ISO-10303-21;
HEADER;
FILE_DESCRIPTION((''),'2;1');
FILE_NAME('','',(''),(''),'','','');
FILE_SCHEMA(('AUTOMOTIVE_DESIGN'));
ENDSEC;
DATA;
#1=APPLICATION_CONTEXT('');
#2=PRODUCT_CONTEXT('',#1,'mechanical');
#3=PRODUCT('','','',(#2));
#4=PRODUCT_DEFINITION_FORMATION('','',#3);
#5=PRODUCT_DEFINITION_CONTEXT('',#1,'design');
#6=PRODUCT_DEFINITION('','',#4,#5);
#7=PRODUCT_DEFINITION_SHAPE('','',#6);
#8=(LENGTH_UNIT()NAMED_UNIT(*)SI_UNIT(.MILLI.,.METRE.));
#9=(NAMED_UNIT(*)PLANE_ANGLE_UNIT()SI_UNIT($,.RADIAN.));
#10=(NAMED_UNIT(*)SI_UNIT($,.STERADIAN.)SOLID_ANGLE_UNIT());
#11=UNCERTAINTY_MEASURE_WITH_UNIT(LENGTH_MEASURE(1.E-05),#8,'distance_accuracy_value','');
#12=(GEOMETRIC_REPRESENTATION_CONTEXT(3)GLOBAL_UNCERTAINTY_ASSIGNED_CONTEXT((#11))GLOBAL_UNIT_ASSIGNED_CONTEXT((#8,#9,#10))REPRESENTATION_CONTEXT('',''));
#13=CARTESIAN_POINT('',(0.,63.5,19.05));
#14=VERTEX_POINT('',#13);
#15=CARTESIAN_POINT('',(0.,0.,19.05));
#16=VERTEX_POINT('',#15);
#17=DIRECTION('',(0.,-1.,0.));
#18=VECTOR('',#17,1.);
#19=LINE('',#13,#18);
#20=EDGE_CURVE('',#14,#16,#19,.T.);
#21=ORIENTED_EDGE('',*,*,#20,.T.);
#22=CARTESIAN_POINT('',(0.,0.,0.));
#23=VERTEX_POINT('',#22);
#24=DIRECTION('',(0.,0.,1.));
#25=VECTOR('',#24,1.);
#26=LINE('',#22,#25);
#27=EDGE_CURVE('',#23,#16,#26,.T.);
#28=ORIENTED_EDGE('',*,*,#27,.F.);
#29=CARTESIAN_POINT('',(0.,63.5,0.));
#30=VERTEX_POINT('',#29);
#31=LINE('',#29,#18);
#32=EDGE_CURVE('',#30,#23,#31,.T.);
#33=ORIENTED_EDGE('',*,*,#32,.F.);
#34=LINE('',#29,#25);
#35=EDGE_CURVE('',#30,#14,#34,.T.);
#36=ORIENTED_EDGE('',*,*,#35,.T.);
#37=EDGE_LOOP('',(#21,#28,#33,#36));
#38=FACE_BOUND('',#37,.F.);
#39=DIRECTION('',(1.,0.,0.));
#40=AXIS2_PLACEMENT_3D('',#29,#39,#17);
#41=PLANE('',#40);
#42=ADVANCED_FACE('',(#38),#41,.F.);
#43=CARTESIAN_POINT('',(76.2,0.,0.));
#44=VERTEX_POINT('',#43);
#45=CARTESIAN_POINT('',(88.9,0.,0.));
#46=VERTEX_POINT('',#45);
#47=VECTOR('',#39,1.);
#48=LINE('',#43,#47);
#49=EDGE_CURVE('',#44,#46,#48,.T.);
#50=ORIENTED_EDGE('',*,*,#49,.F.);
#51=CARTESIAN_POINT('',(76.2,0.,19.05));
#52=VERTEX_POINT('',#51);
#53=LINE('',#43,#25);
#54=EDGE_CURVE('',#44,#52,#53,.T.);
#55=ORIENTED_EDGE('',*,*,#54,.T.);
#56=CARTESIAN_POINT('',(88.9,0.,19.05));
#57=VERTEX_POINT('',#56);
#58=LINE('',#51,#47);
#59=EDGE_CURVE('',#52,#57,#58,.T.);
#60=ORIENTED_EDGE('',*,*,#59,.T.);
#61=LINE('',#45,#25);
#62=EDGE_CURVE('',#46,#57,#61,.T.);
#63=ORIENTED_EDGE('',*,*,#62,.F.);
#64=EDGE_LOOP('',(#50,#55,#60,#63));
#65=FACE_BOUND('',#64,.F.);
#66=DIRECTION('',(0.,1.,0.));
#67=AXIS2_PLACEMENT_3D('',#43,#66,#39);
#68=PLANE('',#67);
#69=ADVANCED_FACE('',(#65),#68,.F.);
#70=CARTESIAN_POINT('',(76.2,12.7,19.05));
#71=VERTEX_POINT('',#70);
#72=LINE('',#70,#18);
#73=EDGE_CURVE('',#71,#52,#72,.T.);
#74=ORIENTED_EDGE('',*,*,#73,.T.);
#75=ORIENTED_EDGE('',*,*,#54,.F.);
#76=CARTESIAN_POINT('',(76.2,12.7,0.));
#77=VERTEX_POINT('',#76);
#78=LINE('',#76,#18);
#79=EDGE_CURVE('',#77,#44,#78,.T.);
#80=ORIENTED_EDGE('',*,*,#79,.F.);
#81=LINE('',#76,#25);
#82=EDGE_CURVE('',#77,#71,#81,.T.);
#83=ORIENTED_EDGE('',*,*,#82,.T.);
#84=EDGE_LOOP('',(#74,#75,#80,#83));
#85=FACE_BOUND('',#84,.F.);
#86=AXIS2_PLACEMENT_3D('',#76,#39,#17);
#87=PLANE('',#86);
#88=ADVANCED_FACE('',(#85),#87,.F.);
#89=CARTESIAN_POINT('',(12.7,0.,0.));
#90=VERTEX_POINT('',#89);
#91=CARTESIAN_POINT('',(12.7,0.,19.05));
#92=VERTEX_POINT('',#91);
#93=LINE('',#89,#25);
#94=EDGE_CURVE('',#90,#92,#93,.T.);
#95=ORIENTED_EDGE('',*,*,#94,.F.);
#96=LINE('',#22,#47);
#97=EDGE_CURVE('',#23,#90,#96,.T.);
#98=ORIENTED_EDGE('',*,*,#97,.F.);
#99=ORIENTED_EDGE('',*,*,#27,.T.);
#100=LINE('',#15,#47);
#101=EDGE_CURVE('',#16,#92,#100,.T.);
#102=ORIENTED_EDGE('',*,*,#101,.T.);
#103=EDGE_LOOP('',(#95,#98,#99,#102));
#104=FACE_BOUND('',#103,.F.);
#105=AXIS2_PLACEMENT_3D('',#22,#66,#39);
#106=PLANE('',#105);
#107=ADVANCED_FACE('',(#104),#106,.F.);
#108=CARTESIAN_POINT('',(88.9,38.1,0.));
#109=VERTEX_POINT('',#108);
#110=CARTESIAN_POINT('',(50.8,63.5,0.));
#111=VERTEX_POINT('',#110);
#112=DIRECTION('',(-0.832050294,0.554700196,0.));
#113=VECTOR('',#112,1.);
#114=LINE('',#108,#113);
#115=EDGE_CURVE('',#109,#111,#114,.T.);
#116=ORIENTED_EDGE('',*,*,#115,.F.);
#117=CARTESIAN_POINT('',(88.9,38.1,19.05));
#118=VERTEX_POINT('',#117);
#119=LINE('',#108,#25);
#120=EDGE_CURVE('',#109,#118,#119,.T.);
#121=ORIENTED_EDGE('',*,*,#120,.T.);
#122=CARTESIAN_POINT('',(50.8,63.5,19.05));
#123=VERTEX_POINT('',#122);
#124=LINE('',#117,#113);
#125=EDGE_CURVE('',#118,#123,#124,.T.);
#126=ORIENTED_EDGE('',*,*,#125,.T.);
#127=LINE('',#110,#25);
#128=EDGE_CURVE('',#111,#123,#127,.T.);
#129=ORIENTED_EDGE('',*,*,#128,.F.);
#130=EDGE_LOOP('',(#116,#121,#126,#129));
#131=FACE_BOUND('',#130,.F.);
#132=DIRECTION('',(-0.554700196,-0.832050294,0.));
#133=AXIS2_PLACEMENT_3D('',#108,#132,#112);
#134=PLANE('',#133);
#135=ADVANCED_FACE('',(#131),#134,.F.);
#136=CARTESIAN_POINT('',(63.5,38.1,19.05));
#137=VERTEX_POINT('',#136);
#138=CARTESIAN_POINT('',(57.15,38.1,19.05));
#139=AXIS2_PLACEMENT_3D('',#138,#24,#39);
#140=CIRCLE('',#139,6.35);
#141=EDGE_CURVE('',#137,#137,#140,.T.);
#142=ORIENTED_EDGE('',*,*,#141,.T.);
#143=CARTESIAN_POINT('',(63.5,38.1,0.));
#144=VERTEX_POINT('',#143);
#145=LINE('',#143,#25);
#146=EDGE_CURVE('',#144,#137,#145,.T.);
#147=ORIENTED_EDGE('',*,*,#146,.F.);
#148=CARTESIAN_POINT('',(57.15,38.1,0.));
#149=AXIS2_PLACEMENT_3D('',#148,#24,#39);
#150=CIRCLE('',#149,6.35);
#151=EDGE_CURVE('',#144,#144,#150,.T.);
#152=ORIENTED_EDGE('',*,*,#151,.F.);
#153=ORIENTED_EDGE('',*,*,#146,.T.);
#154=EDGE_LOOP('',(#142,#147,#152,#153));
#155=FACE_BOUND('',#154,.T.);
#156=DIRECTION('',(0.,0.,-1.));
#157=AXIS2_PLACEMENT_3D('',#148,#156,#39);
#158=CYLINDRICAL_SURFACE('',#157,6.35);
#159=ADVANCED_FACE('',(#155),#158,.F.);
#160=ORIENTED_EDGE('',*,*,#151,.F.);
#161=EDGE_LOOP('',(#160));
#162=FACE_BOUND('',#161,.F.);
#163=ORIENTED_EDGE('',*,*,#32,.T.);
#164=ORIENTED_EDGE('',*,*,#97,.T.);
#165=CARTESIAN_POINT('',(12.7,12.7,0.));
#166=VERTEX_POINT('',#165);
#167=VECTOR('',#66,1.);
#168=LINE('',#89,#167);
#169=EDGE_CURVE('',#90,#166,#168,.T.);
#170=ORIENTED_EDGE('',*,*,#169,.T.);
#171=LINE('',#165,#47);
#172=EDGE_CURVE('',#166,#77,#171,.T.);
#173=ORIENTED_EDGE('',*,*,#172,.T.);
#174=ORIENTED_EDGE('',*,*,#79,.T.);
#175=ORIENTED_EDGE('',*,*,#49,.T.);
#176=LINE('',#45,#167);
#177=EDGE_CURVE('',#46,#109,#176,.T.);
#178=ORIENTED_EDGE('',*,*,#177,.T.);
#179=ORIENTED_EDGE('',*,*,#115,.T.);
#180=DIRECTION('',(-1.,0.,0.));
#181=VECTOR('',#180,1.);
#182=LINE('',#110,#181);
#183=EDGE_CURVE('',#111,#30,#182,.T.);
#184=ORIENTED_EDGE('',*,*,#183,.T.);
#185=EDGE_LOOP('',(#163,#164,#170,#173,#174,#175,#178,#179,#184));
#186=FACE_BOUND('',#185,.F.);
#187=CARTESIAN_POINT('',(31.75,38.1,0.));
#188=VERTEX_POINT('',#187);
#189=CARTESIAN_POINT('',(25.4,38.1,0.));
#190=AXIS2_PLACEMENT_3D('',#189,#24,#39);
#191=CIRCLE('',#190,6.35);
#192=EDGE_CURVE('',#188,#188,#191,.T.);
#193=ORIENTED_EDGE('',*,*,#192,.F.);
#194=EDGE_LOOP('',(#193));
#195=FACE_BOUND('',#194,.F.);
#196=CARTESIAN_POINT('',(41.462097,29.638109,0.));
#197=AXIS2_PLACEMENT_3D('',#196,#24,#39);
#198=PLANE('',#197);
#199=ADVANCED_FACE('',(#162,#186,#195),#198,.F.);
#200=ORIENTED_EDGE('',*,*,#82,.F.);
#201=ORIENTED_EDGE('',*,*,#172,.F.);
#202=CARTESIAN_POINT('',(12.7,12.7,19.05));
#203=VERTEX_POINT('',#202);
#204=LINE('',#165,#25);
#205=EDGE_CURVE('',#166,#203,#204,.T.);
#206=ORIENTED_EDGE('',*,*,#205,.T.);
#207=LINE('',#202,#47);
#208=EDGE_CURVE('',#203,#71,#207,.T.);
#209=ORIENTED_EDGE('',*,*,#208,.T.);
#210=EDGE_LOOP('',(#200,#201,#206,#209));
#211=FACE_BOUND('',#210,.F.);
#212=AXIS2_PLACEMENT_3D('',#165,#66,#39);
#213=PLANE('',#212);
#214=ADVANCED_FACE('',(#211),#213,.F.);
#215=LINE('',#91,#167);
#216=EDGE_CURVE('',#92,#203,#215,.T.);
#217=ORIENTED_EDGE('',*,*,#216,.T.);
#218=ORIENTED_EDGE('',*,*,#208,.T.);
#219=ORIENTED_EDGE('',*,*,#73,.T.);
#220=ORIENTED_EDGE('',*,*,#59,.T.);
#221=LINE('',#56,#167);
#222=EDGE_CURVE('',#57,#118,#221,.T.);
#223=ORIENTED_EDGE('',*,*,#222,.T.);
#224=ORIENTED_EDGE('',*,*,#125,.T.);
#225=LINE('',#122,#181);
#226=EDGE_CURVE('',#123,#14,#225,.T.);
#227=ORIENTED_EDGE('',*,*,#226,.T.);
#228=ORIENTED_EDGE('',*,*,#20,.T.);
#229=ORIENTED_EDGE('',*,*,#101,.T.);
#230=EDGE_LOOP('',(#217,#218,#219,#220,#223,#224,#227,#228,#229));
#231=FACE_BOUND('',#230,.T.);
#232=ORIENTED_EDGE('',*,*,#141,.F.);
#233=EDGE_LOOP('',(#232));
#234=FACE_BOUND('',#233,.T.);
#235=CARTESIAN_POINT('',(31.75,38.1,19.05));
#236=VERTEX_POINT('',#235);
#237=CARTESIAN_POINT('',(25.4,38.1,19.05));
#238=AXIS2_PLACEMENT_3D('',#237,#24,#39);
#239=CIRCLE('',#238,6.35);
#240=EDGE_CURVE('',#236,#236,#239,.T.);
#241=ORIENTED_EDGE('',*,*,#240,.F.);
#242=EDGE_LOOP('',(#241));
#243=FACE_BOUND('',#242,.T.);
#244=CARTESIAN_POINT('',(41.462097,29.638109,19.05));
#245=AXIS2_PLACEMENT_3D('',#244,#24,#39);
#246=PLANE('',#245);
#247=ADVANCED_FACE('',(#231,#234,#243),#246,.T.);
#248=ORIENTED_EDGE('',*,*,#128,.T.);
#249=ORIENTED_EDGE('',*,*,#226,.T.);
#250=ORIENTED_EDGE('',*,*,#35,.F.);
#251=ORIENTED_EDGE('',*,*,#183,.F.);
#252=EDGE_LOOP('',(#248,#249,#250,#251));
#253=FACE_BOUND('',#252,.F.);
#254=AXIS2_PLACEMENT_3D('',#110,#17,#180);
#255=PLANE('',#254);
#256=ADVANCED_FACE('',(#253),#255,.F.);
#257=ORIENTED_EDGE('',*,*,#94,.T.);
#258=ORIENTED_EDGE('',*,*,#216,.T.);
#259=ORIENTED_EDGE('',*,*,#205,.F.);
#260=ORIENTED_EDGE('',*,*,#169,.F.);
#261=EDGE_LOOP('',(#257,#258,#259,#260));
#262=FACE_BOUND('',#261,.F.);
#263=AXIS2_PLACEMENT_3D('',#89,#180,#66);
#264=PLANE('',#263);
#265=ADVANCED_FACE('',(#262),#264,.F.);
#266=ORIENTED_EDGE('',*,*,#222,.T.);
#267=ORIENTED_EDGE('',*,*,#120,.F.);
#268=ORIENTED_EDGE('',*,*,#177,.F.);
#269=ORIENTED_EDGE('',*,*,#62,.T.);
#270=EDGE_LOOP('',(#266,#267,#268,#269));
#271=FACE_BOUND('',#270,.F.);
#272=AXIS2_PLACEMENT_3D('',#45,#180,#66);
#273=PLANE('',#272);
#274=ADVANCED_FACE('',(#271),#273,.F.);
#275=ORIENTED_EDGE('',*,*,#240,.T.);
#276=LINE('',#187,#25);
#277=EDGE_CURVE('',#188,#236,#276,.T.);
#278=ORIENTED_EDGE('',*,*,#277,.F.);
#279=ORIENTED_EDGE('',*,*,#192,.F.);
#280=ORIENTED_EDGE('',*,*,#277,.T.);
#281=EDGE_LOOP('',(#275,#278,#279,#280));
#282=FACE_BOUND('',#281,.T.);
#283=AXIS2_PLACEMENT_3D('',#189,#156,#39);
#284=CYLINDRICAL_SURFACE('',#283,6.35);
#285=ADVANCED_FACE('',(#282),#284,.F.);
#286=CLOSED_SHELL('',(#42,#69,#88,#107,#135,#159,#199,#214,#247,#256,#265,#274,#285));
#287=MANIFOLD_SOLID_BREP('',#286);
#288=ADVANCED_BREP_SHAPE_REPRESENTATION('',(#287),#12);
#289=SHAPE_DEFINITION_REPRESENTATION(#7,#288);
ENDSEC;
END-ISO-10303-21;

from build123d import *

# Parameters (mm, degrees)
F0_R     = 6.35
F1_DEPTH = 19.05


with BuildPart() as f1:
    # F0 (on Top) → F1 (new body)
    with BuildSketch(Plane.XY):
        Polygon((0, 63.5), (0, 0), (12.7, 0), (12.7, 12.7), (76.2, 12.7), (76.2, 0), (88.9, 0), (88.9, 38.1), (50.8, 63.5), align=None)
        with Locations((25.4, 38.1)):
            Circle(F0_R, mode=Mode.SUBTRACT)
        with Locations((57.15, 38.1)):
            Circle(F0_R, mode=Mode.SUBTRACT)
    extrude(amount=F1_DEPTH)


solid = f1.part
